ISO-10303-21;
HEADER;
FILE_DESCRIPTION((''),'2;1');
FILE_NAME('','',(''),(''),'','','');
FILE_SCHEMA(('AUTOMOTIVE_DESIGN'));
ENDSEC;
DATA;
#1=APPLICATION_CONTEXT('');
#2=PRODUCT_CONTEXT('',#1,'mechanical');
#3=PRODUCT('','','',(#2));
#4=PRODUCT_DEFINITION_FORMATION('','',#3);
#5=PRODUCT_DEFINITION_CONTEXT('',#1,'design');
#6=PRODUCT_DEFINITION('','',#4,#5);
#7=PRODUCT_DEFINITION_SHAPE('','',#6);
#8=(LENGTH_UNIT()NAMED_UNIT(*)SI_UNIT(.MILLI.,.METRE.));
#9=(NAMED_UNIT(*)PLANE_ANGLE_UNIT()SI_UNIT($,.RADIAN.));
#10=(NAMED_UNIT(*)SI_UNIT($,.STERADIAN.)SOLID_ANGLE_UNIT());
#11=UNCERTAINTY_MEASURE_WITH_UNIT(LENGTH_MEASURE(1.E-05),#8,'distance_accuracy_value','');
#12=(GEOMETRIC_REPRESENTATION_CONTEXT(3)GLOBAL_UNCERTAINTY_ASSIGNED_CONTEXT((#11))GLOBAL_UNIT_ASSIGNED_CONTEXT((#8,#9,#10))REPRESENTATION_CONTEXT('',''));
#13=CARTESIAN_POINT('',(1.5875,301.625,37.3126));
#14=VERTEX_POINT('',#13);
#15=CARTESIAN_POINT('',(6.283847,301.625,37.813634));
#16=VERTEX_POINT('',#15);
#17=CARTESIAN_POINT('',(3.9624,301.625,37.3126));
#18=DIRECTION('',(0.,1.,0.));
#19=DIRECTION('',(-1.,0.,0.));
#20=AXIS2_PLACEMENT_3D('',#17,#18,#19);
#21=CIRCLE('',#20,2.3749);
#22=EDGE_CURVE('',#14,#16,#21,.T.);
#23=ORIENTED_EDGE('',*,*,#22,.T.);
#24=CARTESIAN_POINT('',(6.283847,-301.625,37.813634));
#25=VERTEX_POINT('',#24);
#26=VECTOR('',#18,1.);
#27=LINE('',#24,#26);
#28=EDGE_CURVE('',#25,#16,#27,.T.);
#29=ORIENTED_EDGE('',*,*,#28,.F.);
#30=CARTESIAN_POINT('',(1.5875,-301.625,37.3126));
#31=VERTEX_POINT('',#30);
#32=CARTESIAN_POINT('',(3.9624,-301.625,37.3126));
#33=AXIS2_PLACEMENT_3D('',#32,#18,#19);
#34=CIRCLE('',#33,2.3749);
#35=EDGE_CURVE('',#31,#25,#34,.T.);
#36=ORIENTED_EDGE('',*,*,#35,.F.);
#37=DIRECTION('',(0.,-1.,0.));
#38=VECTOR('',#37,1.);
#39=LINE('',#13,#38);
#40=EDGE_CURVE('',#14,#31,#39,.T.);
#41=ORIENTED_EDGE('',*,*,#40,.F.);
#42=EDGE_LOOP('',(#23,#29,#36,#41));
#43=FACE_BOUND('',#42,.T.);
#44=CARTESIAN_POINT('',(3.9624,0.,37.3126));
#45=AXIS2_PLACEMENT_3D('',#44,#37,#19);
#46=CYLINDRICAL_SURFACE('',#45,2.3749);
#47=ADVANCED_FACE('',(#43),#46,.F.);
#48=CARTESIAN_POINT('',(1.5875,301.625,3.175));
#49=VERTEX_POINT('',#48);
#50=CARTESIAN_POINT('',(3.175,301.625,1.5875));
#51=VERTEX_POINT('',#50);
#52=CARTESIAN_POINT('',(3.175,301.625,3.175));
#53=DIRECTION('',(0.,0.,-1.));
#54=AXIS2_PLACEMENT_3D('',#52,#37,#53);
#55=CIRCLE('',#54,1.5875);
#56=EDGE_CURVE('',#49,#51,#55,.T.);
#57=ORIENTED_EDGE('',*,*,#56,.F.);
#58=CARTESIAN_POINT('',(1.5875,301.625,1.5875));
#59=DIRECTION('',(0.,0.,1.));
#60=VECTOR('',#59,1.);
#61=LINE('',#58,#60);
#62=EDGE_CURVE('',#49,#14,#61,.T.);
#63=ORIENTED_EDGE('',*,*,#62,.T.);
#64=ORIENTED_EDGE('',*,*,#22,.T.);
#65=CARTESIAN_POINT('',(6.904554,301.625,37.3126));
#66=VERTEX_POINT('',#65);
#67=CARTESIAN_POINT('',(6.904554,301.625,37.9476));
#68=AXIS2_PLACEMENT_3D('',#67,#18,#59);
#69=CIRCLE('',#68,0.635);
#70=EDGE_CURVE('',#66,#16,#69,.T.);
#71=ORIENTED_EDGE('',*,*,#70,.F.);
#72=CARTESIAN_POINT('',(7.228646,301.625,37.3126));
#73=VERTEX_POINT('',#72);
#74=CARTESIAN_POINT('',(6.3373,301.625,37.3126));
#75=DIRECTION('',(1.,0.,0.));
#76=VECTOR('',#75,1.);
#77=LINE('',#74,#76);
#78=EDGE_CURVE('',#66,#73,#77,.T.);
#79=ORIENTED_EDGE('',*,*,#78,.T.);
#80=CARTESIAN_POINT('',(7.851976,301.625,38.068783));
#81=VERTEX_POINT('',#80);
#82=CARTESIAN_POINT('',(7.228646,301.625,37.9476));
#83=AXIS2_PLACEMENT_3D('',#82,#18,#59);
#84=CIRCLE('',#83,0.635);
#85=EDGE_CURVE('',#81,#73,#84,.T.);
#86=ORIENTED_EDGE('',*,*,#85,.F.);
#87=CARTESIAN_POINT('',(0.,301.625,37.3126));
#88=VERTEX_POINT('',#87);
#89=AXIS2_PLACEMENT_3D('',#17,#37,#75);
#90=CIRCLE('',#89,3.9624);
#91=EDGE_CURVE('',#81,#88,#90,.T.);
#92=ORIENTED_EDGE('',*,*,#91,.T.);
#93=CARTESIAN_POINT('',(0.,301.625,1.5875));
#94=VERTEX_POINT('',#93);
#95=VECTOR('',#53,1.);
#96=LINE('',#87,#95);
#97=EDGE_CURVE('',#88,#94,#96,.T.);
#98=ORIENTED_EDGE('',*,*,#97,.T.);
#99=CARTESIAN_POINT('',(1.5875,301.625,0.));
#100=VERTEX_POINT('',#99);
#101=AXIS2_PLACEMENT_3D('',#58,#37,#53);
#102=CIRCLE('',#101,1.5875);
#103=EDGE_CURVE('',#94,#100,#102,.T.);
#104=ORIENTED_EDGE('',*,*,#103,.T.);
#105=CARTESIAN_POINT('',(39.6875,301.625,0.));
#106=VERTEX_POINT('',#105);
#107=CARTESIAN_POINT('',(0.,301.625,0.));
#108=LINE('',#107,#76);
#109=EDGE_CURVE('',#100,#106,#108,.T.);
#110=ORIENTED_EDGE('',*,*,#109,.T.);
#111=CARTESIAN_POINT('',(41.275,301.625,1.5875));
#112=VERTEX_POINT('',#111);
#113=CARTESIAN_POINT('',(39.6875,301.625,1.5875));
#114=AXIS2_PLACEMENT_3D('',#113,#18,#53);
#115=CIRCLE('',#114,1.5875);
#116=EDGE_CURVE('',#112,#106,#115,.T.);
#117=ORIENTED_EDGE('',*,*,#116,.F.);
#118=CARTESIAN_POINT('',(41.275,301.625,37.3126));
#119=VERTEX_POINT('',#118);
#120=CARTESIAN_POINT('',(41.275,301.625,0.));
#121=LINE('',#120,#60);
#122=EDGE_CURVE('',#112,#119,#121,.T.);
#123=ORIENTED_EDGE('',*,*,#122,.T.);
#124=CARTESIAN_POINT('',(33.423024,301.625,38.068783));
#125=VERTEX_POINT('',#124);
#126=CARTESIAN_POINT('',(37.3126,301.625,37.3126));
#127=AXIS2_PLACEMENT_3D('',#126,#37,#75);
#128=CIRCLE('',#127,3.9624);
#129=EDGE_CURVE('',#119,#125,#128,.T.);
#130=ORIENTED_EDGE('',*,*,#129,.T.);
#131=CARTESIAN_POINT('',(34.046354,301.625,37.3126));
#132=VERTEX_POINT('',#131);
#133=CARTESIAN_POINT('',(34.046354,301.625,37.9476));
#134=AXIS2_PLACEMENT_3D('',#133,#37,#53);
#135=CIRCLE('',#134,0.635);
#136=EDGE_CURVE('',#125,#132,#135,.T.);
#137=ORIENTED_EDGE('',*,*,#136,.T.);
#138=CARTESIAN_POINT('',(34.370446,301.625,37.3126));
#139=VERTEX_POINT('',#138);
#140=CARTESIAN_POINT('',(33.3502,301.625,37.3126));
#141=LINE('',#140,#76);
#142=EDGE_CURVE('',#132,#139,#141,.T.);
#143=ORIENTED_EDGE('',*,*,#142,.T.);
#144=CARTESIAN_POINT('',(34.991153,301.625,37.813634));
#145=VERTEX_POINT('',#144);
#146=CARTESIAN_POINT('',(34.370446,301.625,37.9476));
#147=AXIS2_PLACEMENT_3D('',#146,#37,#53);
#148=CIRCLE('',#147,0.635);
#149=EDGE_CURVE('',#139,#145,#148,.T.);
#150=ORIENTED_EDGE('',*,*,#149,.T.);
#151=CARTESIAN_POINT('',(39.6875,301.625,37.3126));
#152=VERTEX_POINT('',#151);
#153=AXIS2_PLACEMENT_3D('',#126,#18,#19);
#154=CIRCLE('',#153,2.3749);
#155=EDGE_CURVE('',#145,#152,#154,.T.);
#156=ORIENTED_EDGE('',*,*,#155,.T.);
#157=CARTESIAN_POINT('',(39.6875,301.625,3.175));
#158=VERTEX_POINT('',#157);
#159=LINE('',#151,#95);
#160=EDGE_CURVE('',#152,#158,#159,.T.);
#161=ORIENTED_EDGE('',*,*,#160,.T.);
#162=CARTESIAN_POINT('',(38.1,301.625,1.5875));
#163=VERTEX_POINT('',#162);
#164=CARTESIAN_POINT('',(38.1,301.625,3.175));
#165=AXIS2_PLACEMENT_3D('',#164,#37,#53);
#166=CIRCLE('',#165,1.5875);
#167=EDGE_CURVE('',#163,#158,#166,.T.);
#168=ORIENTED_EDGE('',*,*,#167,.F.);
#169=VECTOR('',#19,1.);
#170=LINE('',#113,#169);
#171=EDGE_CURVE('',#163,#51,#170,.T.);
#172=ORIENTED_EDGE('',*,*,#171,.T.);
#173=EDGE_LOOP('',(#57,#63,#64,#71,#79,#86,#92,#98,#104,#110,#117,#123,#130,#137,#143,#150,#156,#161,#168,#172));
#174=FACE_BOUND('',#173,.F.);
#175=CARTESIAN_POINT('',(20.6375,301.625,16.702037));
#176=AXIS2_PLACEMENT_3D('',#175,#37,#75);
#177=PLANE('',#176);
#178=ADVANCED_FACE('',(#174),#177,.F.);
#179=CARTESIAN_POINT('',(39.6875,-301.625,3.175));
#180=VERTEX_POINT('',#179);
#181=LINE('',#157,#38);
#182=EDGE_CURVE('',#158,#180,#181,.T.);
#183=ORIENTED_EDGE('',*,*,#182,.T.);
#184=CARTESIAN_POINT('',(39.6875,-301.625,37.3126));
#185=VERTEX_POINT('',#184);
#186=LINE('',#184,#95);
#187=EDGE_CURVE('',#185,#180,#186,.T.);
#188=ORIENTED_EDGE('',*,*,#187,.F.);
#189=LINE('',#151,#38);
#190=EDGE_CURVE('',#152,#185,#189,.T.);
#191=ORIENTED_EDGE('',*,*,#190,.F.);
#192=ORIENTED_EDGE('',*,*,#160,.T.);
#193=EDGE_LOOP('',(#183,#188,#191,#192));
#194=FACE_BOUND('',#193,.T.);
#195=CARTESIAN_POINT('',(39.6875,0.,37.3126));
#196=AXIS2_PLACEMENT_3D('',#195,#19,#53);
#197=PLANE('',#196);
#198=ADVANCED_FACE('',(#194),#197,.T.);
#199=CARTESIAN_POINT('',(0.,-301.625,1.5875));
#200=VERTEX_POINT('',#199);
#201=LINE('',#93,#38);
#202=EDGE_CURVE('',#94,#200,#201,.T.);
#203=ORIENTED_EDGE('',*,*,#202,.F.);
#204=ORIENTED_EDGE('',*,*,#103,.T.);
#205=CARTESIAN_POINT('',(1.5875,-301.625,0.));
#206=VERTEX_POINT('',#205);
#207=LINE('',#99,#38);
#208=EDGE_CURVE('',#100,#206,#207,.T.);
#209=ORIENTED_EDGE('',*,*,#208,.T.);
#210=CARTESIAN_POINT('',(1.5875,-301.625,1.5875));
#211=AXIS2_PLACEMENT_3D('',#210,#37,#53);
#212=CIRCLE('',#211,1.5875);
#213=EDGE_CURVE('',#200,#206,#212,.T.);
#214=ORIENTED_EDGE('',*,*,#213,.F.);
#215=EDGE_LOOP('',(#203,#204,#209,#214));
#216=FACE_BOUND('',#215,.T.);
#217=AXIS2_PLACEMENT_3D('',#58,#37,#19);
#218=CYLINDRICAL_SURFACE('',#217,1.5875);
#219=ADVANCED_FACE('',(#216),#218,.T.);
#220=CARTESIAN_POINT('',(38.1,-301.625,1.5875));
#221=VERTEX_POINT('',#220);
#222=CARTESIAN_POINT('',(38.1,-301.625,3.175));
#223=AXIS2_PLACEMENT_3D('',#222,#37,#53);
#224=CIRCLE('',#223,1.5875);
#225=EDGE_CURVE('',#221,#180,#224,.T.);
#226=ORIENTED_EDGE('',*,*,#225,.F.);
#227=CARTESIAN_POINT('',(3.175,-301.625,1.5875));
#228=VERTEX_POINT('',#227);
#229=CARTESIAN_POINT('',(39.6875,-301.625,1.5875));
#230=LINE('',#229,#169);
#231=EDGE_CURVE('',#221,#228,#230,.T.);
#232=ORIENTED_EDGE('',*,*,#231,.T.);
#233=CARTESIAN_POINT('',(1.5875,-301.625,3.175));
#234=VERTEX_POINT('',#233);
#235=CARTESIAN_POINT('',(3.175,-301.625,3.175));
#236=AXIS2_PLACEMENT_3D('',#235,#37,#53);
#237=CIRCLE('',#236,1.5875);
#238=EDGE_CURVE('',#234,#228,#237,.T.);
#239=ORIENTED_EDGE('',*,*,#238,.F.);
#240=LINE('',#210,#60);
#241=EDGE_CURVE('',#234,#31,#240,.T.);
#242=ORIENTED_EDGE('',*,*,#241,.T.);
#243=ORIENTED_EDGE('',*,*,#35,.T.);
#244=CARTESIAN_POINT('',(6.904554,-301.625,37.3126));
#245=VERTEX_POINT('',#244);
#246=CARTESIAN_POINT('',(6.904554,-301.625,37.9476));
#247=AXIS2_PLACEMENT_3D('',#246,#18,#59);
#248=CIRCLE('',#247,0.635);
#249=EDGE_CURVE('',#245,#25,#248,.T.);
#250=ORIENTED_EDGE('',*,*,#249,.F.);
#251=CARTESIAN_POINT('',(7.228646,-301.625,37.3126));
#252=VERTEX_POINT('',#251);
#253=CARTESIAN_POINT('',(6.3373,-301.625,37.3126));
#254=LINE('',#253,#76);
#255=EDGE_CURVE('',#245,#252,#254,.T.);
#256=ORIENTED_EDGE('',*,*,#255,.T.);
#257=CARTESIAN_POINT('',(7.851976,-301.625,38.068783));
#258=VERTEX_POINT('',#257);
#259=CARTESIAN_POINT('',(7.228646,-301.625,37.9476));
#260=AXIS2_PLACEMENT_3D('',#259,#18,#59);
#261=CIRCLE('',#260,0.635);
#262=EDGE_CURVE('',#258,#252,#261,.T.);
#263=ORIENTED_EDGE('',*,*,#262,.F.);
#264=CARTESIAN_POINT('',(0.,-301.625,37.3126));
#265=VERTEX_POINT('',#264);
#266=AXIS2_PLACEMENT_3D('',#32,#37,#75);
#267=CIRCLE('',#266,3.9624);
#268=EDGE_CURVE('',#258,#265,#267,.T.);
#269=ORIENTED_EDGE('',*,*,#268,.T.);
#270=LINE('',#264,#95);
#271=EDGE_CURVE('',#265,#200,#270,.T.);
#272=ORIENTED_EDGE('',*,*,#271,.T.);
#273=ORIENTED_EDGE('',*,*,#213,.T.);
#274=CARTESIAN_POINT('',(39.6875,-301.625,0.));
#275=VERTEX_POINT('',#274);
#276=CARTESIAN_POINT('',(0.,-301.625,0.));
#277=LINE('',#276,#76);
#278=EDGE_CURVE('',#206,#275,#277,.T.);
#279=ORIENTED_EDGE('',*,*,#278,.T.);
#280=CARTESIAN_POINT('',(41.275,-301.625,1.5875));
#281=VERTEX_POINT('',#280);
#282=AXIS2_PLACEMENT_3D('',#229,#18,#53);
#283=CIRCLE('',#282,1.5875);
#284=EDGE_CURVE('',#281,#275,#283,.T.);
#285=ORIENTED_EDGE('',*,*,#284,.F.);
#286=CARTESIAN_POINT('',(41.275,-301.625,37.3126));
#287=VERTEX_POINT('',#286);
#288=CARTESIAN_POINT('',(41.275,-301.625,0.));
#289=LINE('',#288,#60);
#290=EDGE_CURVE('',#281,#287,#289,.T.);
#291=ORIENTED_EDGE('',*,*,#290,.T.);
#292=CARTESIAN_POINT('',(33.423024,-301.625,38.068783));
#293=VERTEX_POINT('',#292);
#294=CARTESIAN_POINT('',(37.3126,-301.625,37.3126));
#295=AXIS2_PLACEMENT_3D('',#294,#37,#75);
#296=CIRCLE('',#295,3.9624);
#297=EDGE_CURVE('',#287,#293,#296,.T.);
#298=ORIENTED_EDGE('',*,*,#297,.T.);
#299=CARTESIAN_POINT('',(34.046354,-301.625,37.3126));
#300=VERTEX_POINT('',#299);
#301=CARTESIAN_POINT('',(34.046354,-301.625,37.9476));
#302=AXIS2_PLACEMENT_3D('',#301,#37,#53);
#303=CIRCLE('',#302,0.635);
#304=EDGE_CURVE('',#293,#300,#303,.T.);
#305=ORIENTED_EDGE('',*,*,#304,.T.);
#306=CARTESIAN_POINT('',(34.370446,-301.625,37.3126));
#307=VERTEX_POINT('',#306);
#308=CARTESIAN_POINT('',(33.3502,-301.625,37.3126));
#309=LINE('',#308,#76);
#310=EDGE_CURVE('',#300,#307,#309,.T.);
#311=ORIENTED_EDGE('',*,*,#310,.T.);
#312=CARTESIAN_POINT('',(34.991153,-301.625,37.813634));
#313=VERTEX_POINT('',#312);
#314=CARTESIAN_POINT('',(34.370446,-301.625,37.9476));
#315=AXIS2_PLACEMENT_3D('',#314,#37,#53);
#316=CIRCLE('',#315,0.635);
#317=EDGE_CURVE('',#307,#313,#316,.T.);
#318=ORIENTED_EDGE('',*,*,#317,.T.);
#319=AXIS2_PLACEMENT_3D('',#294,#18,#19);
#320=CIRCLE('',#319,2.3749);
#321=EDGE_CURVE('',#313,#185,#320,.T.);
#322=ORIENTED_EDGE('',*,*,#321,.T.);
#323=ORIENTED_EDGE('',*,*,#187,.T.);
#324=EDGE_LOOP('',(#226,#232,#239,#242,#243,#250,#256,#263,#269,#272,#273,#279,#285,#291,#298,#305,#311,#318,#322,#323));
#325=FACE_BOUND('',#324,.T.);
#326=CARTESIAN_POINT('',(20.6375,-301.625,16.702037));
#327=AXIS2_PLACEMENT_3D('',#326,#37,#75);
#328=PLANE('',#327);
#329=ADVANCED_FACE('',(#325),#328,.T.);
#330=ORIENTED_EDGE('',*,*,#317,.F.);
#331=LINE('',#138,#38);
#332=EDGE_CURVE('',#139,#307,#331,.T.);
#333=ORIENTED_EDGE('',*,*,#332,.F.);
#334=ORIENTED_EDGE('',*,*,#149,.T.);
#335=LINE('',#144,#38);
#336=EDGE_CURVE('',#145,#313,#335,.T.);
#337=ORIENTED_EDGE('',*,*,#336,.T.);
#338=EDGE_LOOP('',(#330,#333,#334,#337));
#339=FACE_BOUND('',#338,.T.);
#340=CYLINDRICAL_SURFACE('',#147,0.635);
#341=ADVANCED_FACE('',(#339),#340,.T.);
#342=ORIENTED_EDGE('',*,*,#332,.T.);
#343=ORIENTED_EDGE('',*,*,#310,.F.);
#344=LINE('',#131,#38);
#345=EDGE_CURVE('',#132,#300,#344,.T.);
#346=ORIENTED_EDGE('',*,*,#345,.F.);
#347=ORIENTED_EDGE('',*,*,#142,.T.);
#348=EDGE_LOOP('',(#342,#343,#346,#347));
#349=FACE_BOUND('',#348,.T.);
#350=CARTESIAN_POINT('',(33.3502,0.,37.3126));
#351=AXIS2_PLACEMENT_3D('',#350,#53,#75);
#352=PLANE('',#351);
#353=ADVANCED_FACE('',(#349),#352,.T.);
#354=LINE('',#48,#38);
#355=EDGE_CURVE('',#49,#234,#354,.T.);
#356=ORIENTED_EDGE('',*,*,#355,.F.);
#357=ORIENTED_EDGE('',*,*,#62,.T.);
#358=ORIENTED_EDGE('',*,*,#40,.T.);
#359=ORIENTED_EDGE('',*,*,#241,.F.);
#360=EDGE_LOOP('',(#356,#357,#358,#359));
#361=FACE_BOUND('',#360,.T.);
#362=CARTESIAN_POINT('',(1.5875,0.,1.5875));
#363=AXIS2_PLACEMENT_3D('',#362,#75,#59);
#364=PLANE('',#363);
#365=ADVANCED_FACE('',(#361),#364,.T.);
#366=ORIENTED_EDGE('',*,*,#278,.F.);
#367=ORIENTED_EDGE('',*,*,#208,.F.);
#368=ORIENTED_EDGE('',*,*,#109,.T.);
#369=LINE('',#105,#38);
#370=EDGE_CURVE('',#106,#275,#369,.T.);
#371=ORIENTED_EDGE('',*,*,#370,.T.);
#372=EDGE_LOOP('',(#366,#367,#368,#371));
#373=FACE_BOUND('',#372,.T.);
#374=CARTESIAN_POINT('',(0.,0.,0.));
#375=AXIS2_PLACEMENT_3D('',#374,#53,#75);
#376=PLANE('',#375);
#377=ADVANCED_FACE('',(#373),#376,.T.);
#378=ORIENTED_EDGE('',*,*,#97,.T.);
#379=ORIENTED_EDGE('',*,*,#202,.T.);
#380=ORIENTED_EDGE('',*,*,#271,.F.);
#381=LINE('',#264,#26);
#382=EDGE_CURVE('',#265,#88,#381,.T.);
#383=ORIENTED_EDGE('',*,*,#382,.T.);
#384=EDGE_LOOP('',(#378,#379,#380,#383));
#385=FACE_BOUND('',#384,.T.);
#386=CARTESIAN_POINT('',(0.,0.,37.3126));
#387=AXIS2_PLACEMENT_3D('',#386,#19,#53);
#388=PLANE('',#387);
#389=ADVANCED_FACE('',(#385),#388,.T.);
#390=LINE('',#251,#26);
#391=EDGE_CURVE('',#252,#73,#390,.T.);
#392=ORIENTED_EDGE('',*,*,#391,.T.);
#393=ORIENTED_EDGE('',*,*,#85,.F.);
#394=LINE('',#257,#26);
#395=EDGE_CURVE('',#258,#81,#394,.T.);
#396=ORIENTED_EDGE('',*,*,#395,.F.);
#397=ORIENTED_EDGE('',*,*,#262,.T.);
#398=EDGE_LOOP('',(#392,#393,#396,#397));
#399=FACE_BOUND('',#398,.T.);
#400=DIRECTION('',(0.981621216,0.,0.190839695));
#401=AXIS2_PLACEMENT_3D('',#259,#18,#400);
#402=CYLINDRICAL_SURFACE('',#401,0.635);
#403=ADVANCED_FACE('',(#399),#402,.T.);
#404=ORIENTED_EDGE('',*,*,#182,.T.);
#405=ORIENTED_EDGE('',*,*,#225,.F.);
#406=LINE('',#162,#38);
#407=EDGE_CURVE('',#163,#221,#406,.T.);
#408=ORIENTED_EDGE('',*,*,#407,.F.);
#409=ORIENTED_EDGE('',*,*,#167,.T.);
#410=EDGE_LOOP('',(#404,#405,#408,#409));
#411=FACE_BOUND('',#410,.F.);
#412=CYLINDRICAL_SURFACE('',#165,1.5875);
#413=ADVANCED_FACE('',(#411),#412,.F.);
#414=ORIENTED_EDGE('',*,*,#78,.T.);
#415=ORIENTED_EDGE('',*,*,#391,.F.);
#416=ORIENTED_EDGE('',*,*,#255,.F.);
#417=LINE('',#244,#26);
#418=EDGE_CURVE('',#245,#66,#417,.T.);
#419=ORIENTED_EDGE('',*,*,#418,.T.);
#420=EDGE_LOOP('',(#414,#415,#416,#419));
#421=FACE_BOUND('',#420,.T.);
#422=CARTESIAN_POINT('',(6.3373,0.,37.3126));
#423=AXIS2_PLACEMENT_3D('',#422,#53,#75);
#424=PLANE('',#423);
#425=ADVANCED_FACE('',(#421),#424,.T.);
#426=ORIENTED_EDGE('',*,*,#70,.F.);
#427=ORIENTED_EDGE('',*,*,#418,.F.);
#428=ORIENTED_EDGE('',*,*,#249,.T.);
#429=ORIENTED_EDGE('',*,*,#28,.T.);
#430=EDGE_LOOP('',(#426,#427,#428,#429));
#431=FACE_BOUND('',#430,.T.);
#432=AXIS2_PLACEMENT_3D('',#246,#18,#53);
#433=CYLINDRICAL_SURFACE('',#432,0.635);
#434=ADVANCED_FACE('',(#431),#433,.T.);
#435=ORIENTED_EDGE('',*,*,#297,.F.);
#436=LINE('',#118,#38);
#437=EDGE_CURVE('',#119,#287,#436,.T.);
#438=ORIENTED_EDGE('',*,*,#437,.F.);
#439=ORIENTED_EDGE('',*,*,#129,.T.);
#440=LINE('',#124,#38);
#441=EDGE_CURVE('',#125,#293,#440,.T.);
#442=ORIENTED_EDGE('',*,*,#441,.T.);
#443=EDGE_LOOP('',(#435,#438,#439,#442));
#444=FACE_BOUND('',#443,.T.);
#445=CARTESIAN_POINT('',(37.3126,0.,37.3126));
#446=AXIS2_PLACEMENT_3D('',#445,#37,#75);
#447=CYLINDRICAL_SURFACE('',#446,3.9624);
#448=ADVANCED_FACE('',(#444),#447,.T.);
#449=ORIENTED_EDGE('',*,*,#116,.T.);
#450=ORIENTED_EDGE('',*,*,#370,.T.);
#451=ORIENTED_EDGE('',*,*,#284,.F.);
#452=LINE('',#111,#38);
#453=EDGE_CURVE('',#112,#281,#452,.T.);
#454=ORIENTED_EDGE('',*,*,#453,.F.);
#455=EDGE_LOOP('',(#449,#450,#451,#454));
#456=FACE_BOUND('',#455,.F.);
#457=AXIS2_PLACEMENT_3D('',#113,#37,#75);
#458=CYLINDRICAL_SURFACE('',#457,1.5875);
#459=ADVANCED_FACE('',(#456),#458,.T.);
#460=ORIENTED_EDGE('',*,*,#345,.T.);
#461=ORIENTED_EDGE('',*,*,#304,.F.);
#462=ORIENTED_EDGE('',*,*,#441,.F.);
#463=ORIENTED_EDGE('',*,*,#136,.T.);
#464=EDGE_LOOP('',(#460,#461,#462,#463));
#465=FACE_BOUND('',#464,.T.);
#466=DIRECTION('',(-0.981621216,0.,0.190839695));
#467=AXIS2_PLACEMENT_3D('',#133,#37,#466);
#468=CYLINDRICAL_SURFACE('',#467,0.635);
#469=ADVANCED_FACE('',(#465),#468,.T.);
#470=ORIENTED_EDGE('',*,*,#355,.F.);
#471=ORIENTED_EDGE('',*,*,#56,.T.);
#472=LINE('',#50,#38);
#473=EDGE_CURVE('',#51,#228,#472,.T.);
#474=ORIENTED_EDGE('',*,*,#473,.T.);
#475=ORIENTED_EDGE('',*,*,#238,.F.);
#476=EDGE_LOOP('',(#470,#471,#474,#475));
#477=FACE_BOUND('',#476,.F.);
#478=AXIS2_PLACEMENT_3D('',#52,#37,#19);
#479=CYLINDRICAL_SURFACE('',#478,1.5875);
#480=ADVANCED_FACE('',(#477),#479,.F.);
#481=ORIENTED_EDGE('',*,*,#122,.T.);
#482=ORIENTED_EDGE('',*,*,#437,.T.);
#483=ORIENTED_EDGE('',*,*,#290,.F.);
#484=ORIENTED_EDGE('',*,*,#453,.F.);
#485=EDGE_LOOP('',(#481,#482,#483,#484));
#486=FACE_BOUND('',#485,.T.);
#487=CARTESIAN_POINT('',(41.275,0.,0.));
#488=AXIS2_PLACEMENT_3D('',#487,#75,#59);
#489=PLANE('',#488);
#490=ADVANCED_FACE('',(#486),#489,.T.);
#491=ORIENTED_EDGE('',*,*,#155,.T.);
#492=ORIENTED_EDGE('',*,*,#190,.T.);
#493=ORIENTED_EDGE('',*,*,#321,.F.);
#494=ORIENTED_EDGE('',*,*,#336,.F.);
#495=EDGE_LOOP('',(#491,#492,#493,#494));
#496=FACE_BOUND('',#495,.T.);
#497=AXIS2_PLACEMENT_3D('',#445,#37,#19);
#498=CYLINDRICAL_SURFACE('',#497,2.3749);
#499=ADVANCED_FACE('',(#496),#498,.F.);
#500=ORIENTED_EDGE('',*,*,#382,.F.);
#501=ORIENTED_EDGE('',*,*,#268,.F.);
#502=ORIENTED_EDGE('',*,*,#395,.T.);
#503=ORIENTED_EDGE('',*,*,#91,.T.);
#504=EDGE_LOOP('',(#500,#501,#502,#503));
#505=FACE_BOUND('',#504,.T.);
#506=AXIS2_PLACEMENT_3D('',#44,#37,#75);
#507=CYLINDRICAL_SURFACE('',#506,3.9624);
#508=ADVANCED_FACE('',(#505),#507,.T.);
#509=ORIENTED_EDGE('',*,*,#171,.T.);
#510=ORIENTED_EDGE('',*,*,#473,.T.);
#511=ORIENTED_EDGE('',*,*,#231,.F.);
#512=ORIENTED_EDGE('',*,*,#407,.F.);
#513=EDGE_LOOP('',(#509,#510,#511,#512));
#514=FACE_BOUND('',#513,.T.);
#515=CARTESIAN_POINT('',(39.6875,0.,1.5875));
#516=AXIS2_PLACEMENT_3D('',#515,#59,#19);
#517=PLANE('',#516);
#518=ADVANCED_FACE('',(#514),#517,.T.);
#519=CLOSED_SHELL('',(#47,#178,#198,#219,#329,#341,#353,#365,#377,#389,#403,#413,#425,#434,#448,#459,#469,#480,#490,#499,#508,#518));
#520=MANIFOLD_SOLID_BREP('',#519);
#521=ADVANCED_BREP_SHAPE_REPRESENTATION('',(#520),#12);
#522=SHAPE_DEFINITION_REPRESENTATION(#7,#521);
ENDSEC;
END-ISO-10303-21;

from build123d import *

# Parameters (mm, degrees)
F1_DEPTH = 301.625
F2_R     = 1.5875
F3_R     = 0.635


with BuildPart() as f1:
    # F0 (on Front) → F1 (new body, symmetric)
    with BuildSketch(Plane.XZ):
        with BuildLine():
            Line((0, 37.3126), (0, 0))
            Line((0, 0), (41.275, 0))
            Line((41.275, 0), (41.275, 37.3126))
            ThreePointArc((41.275, 37.3126), (37.3126, 41.275), (33.3502, 37.3126))
            Line((33.3502, 37.3126), (34.9377, 37.3126))
            ThreePointArc((34.9377, 37.3126), (37.3126, 39.6875), (39.6875, 37.3126))
            Line((39.6875, 37.3126), (39.6875, 1.5875))
            Line((39.6875, 1.5875), (1.5875, 1.5875))
            Line((1.5875, 1.5875), (1.5875, 37.3126))
            ThreePointArc((1.5875, 37.3126), (3.9624, 39.6875), (6.3373, 37.3126))
            Line((6.3373, 37.3126), (7.9248, 37.3126))
            ThreePointArc((7.9248, 37.3126), (3.9624, 41.275), (0, 37.3126))
        make_face()
    extrude(amount=F1_DEPTH, both=True)

    # F2
    f2_edges = [f1.edges().sort_by_distance(p)[0] for p in [
        (0, 0, 0),
        (41.275, 0, 0),
        (39.6875, 0, 1.5875),
        (1.5875, 0, 1.5875),
    ]]
    fillet(f2_edges, radius=F2_R)

    # F3
    f3_edges = [f1.edges().sort_by_distance(p)[0] for p in [
        (6.3373, 0, 37.3126),
        (7.9248, 0, 37.3126),
        (33.3502, 0, 37.3126),
        (34.9377, 0, 37.3126),
    ]]
    fillet(f3_edges, radius=F3_R)


solid = f1.part
